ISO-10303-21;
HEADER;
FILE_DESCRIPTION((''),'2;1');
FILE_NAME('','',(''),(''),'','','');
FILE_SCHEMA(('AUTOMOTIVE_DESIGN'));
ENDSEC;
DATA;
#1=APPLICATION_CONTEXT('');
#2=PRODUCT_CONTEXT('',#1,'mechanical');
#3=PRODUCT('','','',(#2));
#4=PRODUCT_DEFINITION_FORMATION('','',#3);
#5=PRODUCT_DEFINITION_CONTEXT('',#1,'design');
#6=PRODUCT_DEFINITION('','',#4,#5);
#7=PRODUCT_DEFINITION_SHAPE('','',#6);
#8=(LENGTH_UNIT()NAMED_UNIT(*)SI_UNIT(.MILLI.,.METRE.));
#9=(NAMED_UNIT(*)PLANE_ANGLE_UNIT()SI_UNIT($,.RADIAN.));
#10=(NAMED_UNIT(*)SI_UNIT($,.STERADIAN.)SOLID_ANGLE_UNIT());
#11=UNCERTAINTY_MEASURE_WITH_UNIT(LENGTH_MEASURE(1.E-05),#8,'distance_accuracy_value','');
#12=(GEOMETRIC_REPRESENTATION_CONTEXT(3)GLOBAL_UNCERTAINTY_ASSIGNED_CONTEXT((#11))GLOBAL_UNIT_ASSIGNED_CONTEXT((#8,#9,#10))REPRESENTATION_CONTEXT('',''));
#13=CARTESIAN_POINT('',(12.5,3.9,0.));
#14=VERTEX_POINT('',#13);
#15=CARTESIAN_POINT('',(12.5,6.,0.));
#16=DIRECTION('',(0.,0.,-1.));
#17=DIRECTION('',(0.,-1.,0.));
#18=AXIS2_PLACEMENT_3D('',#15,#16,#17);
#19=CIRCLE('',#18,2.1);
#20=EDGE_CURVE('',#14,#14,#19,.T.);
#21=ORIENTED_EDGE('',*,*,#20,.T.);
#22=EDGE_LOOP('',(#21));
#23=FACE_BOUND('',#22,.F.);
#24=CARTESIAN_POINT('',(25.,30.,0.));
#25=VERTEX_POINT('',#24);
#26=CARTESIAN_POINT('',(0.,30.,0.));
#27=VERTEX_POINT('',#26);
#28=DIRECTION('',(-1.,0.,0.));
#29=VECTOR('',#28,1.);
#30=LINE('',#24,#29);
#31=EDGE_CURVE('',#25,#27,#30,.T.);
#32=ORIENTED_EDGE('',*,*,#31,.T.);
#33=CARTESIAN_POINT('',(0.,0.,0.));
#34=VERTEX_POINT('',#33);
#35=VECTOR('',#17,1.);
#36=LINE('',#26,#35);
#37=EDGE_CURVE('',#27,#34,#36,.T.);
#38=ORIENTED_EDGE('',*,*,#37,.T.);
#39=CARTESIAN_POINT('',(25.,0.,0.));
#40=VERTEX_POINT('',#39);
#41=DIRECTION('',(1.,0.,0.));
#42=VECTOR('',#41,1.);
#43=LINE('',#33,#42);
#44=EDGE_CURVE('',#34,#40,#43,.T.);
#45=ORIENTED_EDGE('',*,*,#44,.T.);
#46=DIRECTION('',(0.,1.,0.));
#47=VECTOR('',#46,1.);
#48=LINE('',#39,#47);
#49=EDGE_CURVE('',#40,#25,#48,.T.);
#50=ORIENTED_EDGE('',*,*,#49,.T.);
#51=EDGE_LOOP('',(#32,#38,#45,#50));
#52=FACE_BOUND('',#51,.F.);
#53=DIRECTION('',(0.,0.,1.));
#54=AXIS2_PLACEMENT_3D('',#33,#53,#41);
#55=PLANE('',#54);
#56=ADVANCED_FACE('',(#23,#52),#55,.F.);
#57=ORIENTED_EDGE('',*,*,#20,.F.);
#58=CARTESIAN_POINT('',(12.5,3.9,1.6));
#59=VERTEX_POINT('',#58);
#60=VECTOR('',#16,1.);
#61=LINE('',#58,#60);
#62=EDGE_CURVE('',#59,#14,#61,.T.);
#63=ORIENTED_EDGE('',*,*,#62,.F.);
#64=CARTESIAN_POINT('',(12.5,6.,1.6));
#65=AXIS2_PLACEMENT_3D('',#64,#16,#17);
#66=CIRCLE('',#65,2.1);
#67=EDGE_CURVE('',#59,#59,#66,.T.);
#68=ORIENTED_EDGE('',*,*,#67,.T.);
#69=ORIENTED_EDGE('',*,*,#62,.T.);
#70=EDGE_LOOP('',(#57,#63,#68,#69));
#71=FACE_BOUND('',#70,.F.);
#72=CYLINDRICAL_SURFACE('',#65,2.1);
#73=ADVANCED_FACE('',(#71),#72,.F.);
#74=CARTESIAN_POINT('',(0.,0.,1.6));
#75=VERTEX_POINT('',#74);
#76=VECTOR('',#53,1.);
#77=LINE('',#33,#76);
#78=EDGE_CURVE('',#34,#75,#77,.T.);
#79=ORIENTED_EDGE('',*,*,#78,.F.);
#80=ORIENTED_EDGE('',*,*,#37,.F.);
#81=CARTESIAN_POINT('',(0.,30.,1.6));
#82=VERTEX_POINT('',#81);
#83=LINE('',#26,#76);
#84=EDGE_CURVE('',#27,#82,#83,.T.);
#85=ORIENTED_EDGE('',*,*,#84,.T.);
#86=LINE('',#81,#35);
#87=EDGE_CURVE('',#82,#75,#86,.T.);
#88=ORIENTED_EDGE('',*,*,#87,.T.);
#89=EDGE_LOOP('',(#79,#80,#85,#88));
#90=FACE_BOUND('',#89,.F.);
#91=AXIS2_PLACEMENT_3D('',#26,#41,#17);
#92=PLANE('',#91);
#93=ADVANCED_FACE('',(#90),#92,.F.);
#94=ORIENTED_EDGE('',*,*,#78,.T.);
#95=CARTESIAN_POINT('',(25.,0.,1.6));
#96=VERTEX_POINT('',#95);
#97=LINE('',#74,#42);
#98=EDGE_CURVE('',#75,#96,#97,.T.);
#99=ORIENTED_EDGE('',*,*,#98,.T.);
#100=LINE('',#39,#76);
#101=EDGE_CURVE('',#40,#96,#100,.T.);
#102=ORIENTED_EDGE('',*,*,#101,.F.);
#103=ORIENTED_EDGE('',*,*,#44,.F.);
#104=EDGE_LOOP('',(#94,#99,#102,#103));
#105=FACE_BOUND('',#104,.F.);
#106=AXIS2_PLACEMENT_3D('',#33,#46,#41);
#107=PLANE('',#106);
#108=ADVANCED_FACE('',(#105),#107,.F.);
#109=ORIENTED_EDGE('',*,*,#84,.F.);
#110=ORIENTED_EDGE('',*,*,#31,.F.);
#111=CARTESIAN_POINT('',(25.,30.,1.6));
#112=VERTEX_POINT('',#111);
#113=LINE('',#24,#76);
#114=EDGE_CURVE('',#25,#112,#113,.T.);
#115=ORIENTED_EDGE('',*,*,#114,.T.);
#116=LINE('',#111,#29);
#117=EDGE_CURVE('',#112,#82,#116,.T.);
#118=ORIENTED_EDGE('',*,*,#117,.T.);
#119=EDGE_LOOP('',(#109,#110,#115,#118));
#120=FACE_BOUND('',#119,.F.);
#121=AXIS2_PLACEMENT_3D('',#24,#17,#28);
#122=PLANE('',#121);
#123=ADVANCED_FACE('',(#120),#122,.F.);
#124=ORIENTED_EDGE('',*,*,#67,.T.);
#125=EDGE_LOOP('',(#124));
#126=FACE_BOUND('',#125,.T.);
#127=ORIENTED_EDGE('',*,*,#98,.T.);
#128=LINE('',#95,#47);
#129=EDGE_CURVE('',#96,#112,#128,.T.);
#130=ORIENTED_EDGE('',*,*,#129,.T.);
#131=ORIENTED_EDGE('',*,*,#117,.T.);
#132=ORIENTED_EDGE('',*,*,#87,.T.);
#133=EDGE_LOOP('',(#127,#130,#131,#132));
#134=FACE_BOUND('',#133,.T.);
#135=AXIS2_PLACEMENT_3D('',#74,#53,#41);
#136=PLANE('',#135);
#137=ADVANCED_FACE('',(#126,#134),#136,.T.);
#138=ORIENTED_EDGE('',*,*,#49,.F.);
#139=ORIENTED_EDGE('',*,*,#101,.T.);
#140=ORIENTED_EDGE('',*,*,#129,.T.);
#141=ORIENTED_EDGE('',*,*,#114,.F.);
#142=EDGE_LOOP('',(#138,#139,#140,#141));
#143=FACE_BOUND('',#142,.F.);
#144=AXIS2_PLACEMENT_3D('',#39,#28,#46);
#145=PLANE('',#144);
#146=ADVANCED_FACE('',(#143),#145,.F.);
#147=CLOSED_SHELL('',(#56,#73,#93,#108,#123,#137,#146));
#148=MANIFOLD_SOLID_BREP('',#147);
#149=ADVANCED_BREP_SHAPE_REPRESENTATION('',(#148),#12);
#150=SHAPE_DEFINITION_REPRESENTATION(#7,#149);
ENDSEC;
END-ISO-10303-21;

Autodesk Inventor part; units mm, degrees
ref_plane "YZ Plane" through (0, 0, 0) normal (1, 0, 0) x (0, 1, 0)
ref_plane "XZ Plane" through (0, 0, 0) normal (0, 1, 0) x (-1, 0, 0)
ref_plane "XY Plane" through (0, 0, 0) normal (0, 0, 1) x (1, 0, 0)
sketch "スケッチ1" plane through (0, 0, 0) normal (0, 0, 1) x (1, 0, 0)
  line L0 (0, 0) -> (25, 0)
  line L1 (25, 0) -> (25, 30)
  line L2 (25, 30) -> (0, 30)
  line L3 (0, 30) -> (0, 0)
  dimension "d0" = 25
  dimension "d1" = 30
extrude "押し出し1" add sketch "スケッチ1" along normal blind 1.6
sketch "スケッチ2" plane through (0, 0, 1.6) normal (0, 0, 1) x (1, 0, 0)
  line L0 (0, 0) -> (25, 0) projected
  point P0 (12.5, 6)
  point P1 (12.5, 0)
  dimension "d4" = 6
hole "穴1" at (12.5, 6, 1.6) direction (0, 0, -1) diameter 4.2 end through all
properties part number "CLS_24.5N_plate" material "ステンレス鋼"
